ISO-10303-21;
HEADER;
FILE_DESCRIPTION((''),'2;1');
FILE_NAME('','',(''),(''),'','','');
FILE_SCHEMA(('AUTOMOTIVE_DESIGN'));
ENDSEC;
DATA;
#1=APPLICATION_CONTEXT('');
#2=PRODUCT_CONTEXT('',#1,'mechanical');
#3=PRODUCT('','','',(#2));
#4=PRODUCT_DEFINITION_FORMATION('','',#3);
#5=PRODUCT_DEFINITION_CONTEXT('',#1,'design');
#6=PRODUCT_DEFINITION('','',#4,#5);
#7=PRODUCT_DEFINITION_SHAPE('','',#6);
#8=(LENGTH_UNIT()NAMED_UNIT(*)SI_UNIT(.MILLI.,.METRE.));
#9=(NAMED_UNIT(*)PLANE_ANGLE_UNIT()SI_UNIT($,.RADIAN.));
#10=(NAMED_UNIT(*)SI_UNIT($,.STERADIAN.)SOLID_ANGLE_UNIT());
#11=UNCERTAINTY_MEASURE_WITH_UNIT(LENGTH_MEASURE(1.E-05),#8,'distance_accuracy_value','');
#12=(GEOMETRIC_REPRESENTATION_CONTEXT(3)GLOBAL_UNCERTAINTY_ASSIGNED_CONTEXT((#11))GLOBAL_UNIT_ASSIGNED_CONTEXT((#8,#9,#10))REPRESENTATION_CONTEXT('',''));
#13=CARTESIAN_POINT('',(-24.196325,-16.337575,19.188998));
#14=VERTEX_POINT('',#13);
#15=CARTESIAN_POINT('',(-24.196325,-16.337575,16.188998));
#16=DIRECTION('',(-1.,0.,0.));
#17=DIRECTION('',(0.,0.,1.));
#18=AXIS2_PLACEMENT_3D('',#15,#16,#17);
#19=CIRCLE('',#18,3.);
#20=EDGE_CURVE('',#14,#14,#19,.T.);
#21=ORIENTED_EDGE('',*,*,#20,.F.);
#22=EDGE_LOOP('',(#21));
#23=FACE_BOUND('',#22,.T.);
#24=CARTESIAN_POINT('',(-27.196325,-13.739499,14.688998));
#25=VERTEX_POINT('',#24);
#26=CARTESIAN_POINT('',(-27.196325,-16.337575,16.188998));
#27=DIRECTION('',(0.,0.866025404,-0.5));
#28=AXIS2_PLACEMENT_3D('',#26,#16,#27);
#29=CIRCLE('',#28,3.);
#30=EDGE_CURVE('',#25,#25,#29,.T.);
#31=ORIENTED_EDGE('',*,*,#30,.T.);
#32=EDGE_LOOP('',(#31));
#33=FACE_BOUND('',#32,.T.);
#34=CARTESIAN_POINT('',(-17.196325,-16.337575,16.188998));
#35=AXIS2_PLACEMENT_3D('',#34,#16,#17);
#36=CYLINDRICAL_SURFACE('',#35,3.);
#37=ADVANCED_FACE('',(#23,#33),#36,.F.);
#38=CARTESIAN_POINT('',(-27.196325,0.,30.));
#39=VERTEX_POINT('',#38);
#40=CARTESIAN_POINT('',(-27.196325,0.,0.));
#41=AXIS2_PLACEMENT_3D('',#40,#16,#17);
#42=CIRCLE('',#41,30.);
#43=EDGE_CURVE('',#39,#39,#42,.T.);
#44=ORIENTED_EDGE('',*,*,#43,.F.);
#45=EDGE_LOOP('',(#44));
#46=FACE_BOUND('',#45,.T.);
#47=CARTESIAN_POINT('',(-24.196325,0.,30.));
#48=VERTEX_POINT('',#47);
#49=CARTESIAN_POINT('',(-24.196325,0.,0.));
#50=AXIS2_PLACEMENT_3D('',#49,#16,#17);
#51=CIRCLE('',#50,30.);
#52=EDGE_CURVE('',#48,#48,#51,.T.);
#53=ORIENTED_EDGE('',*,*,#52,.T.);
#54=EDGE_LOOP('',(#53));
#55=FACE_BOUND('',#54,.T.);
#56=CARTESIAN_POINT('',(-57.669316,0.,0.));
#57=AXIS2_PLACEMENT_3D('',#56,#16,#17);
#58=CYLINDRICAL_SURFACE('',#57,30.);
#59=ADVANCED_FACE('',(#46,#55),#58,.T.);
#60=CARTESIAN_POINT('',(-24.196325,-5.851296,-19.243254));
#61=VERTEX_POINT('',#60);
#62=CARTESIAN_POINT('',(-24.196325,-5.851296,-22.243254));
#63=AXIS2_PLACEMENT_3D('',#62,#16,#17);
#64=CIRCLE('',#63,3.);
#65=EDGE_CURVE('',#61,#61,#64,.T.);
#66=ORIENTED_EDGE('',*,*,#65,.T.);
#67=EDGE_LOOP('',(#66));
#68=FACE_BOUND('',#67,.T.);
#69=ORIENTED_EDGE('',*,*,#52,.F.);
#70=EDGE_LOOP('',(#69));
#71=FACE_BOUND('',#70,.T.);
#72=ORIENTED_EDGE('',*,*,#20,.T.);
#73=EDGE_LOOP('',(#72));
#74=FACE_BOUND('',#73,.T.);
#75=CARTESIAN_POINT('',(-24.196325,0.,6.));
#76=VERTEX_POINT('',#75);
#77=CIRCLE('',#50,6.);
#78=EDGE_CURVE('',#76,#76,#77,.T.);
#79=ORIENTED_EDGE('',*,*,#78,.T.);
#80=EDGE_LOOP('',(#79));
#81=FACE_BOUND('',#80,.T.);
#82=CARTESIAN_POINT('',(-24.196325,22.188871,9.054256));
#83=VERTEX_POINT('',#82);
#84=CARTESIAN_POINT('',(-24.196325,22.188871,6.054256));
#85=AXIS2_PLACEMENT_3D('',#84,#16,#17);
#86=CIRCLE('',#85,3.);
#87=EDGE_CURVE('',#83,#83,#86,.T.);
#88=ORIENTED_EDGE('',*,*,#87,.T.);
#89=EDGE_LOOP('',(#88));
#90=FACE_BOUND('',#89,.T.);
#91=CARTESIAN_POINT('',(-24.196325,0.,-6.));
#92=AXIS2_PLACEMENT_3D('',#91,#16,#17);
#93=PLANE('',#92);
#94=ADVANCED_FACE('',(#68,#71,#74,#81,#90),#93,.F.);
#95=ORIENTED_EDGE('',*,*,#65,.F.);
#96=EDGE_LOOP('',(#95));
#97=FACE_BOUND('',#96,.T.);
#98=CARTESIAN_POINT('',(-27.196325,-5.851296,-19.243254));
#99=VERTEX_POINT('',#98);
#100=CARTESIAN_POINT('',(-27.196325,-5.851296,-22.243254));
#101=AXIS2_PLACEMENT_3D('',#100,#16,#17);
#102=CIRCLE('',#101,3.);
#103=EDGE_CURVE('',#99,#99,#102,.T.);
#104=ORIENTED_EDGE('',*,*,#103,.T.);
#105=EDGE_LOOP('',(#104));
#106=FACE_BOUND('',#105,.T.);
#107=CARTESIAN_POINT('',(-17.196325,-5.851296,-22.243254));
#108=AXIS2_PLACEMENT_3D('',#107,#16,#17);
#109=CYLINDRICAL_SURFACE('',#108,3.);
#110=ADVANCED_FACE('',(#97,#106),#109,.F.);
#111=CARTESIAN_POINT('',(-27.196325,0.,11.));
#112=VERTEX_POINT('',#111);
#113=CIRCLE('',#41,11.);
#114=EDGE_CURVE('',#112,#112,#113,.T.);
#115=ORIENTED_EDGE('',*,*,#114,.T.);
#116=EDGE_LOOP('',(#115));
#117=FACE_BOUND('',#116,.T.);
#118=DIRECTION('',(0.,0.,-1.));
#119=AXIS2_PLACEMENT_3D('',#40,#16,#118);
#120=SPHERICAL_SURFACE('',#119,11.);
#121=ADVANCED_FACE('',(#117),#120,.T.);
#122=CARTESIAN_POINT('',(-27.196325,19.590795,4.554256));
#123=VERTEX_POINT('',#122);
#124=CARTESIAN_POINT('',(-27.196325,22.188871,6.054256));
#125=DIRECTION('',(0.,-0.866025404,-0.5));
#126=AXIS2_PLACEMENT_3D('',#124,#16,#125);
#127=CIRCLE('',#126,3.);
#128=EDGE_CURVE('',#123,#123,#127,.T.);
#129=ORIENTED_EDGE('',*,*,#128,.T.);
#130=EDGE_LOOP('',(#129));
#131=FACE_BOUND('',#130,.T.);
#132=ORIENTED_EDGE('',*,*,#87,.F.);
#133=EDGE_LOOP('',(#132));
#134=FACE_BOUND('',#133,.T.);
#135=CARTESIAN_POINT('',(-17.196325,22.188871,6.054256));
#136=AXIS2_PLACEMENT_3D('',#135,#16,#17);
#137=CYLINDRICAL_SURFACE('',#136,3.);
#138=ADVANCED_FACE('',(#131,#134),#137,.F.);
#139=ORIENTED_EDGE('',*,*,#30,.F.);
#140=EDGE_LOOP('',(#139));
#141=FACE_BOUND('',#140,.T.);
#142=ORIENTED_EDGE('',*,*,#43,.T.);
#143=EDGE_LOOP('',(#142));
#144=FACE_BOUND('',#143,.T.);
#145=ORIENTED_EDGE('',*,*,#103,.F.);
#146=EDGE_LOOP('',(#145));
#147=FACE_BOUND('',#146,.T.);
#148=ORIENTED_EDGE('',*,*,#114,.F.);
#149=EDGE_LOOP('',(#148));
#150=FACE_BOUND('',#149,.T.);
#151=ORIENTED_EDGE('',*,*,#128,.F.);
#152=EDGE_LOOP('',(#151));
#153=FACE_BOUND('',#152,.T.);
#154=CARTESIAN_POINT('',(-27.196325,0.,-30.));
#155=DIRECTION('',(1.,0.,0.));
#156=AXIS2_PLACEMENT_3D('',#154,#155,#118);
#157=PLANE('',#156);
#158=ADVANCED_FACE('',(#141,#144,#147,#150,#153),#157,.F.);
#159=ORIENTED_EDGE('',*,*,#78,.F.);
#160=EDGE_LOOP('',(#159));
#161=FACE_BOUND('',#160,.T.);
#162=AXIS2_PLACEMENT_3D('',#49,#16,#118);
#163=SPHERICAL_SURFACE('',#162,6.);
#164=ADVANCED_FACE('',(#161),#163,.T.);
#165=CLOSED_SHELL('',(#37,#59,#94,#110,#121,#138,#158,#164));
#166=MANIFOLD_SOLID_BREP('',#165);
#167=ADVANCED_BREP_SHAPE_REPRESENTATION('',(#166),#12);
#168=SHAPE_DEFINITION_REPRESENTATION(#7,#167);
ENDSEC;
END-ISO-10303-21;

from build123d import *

# Parameters (mm, degrees)
ESQUISSE3_R                  = 3
ENL_V_MAT_EXTRU_1_DEPTH      = 10
R_P_TITION_CIRCULAIRE1_COUNT = 3


with BuildPart() as part:
    # Esquisse2 → Révolution1 (revolve)
    with BuildSketch(Plane(origin=(0, 0, 0), x_dir=(1, 0, 0), z_dir=(0, 1, 0))):
        with BuildLine():
            Line((-24.196325381, 6), (-24.196325381, 30))
            Line((-24.196325381, 30), (-27.196325381, 30))
            Line((-27.196325381, 30), (-27.196325381, 11))
            ThreePointArc((-27.196325381, 11), (-34.974499974, 7.778174593), (-38.196325381, 0))
            Line((-38.196325381, 0), (-18.196325381, 0))
            ThreePointArc((-18.196325381, 0), (-19.953684694, 4.242640687), (-24.196325381, 6))
        make_face()
    revolve(axis=Axis((-57.66931647, 0, 0), (1, 0, 0)))

    # Esquisse3 → Enlèv. mat.-Extru.1 (cut)
    with BuildSketch(Plane.ZY.offset(27.196325381)):
        with Locations((-22.243253738, -5.851295854)):
            Circle(ESQUISSE3_R)
    enl_v_mat_extru_1 = extrude(amount=-ENL_V_MAT_EXTRU_1_DEPTH, mode=Mode.SUBTRACT)

    # Répétition circulaire1: Enlèv. mat.-Extru.1 ×3 about axis
    r_p_tition_circulaire1_axis = Axis((0, 0, 0), (1, 0, 0))
    for i in range(1, R_P_TITION_CIRCULAIRE1_COUNT):
        add(enl_v_mat_extru_1.rotate(r_p_tition_circulaire1_axis, i * 360 / R_P_TITION_CIRCULAIRE1_COUNT), mode=Mode.SUBTRACT)


solid = part.part
